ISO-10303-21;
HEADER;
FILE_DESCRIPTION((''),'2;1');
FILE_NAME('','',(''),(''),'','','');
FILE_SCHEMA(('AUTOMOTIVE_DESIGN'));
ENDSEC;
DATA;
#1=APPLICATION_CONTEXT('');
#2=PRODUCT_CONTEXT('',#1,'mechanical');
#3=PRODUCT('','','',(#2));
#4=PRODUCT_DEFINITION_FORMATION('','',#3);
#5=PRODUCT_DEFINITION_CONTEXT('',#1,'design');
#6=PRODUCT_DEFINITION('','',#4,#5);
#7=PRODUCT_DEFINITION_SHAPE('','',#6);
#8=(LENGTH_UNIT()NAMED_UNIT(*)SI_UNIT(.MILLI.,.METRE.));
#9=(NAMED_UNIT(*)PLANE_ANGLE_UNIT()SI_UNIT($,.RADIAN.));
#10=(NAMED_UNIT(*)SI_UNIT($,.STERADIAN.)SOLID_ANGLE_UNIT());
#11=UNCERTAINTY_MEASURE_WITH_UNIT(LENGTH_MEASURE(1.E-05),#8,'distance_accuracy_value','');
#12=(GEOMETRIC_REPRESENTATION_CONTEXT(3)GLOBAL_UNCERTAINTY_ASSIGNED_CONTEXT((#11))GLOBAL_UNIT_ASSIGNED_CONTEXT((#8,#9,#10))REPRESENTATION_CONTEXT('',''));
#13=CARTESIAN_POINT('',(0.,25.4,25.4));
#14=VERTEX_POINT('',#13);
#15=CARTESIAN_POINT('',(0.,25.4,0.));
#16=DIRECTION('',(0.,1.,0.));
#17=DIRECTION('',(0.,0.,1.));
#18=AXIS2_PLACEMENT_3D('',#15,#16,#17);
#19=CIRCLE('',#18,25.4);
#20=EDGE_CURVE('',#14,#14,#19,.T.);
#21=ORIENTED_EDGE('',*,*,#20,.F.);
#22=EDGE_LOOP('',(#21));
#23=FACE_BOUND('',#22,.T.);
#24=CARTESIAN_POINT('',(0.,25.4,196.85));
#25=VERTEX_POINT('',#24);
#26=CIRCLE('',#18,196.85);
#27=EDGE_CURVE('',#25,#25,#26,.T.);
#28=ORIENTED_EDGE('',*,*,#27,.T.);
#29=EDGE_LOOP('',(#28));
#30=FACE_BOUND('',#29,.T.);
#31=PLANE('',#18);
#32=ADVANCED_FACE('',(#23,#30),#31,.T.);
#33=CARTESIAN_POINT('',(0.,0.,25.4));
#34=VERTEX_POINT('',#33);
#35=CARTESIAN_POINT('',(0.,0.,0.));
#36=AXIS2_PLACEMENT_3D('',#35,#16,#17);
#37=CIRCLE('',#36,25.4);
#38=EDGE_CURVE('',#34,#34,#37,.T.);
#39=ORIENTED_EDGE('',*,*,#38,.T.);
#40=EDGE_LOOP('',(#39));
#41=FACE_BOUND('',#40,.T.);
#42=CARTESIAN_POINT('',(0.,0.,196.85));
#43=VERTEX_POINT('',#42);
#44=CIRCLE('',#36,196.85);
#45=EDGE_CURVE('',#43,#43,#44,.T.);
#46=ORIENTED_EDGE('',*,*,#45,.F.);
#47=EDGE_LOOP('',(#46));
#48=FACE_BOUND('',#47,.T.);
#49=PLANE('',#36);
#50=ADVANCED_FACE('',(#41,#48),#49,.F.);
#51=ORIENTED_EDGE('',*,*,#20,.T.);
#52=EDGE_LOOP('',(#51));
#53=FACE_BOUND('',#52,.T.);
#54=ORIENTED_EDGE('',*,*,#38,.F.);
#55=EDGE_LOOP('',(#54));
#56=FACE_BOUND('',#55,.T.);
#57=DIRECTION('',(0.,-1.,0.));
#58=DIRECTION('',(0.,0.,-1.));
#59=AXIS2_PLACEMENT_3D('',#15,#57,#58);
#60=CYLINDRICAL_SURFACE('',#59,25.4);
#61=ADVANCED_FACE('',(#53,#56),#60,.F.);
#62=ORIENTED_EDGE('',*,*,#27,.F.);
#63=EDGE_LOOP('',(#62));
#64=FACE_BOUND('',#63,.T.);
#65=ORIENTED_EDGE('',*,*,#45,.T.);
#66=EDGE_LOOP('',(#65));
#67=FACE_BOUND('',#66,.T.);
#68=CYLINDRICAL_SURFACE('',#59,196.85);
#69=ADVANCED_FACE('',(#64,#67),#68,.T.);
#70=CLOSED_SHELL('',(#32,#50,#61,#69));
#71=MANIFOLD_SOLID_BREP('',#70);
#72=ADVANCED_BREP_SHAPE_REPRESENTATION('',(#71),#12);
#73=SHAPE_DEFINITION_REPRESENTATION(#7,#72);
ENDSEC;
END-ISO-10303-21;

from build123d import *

# Parameters (mm, degrees)
SKETCH1_R           = 196.85
SKETCH1_R_2         = 25.4
BOSS_EXTRUDE1_DEPTH = 25.4


with BuildPart() as part:
    # Sketch1 → Boss-Extrude1 (new body)
    with BuildSketch(Plane(origin=(0, 0, 0), x_dir=(1, 0, 0), z_dir=(0, 1, 0))):
        Circle(SKETCH1_R)
        Circle(SKETCH1_R_2, mode=Mode.SUBTRACT)
    extrude(amount=BOSS_EXTRUDE1_DEPTH)


solid = part.part
